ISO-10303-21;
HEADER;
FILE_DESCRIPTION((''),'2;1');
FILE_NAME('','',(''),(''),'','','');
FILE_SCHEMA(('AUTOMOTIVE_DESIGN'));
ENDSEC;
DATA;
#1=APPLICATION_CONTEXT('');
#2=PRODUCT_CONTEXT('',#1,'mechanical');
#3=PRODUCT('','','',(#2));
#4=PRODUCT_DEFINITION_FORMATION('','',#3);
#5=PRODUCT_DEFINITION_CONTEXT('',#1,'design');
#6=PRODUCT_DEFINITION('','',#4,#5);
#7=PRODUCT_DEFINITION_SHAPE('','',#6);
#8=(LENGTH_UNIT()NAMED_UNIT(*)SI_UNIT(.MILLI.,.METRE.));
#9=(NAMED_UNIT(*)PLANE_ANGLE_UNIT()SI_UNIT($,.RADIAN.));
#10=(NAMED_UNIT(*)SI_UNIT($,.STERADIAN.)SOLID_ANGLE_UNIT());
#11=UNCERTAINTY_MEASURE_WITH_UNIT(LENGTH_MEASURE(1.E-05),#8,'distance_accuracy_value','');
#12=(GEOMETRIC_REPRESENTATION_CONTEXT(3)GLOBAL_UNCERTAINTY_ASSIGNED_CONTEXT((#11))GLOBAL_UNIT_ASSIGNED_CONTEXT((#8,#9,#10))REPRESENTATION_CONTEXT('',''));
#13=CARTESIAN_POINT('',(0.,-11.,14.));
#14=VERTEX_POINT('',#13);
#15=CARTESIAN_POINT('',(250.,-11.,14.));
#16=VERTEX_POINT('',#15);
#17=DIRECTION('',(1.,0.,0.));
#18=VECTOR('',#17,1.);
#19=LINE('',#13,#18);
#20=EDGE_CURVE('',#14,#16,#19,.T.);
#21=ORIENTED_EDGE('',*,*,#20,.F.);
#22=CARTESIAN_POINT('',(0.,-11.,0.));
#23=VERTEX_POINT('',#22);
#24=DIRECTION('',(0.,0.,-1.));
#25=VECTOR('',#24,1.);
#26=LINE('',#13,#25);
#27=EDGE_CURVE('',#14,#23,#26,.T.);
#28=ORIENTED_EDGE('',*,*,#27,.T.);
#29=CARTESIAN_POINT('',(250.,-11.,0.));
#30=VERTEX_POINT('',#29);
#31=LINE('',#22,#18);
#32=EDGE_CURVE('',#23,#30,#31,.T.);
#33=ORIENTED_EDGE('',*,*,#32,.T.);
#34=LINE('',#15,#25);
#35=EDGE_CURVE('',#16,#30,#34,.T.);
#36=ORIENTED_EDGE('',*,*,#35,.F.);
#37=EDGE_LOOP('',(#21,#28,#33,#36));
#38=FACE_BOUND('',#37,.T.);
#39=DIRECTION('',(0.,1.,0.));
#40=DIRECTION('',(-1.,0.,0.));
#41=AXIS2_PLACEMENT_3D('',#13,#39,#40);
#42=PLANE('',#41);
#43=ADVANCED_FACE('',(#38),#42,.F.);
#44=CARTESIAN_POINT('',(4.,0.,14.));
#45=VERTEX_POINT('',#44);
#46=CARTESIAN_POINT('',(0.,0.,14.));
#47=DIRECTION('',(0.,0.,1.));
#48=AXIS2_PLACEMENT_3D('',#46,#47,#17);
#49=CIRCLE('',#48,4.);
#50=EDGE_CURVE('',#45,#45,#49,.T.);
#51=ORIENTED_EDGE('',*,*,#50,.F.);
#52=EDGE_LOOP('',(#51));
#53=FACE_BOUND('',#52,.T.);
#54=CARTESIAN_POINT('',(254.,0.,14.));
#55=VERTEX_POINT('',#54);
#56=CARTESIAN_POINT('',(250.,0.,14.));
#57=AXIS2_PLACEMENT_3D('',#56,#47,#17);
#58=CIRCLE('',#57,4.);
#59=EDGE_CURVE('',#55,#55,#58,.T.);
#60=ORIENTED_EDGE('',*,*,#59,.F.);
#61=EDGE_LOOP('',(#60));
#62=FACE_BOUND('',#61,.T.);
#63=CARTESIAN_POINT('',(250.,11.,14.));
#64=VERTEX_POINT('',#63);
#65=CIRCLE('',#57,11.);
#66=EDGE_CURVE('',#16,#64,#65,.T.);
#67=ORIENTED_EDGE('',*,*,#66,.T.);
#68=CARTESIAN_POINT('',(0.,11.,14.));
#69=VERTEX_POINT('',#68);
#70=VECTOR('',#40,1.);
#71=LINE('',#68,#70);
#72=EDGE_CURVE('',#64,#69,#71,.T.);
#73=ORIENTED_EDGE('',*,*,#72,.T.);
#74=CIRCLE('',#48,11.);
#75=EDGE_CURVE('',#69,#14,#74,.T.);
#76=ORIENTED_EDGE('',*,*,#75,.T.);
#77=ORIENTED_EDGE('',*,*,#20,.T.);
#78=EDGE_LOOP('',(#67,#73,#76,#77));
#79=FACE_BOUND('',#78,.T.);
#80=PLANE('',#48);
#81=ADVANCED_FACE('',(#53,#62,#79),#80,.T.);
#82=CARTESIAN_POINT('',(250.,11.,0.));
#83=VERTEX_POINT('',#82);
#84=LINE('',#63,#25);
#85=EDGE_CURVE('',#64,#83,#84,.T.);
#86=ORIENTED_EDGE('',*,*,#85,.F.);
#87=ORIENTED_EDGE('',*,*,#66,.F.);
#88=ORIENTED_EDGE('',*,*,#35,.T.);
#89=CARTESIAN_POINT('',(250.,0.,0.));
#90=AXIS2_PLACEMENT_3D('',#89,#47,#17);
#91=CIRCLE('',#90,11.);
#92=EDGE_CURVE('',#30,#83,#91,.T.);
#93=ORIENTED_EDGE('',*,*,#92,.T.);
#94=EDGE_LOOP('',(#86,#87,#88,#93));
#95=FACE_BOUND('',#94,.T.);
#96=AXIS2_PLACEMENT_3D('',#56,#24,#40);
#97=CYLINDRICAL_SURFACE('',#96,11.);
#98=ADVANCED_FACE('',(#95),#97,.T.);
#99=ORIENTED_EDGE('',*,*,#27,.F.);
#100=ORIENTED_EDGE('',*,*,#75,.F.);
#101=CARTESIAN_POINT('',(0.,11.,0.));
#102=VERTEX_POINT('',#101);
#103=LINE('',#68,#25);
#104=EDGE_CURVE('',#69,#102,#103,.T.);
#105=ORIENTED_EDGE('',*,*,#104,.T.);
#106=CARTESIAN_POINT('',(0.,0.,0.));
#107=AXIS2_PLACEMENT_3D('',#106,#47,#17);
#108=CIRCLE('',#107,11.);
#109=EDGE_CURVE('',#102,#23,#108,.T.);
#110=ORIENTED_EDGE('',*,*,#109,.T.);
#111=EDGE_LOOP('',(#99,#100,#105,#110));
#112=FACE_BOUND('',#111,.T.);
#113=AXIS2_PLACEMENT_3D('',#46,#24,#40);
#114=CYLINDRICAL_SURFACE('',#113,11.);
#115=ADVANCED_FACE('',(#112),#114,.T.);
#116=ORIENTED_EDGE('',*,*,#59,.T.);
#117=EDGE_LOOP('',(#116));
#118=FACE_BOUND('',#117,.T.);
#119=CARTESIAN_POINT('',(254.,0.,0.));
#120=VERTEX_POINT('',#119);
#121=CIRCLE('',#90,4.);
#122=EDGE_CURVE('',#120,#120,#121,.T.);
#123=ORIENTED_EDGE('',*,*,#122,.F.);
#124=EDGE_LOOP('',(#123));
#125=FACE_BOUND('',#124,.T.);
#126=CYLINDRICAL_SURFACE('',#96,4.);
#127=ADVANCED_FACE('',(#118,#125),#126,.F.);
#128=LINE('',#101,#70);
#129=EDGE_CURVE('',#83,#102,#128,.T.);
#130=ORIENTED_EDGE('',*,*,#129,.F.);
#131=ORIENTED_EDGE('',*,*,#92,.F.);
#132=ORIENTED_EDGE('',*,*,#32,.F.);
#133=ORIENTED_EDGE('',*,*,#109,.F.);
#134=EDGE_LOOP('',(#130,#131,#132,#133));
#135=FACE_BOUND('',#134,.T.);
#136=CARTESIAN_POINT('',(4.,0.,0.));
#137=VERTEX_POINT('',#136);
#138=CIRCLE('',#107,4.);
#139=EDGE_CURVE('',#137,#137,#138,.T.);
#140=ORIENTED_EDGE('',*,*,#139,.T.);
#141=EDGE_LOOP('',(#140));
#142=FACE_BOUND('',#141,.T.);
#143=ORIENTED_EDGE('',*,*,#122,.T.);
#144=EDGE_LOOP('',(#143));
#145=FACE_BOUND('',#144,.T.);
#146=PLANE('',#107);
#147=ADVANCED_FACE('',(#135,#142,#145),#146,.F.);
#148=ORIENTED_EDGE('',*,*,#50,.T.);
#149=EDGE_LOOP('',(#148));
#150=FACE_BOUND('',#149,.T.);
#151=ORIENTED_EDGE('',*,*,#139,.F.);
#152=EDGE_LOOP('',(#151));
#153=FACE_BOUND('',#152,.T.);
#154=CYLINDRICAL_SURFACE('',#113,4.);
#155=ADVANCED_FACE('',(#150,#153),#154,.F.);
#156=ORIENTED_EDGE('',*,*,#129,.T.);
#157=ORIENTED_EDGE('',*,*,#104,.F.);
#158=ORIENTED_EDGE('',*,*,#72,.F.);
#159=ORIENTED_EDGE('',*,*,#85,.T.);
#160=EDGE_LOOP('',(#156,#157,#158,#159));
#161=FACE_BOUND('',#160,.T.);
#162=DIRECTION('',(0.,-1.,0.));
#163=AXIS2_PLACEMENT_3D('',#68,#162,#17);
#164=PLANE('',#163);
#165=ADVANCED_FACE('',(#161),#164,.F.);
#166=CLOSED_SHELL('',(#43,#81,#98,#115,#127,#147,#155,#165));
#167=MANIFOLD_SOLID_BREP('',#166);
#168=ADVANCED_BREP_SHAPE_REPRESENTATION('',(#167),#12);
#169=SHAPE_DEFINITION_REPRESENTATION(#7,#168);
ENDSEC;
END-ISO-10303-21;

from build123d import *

# Parameters (mm, degrees)
EXTRUDE_1_DEPTH     = 14
SKETCH_2_R          = 4
CUT_EXTRUDE_1_DEPTH = 14


with BuildPart() as part:
    # 草图1 → 凸台-拉伸1 (new body)
    with BuildSketch(Plane.XY):
        with BuildLine():
            Line((0, 11), (250, 11))
            ThreePointArc((250, 11), (261, 0), (250, -11))
            Line((250, -11), (0, -11))
            ThreePointArc((0, -11), (-11, 0), (0, 11))
        make_face()
    extrude(amount=EXTRUDE_1_DEPTH)

    # 草图2 → 切除-拉伸1 (cut)
    with BuildSketch(Plane.XY):
        Circle(SKETCH_2_R)
        with Locations((250, 0)):
            Circle(SKETCH_2_R)
    extrude(amount=CUT_EXTRUDE_1_DEPTH, mode=Mode.SUBTRACT)


solid = part.part
